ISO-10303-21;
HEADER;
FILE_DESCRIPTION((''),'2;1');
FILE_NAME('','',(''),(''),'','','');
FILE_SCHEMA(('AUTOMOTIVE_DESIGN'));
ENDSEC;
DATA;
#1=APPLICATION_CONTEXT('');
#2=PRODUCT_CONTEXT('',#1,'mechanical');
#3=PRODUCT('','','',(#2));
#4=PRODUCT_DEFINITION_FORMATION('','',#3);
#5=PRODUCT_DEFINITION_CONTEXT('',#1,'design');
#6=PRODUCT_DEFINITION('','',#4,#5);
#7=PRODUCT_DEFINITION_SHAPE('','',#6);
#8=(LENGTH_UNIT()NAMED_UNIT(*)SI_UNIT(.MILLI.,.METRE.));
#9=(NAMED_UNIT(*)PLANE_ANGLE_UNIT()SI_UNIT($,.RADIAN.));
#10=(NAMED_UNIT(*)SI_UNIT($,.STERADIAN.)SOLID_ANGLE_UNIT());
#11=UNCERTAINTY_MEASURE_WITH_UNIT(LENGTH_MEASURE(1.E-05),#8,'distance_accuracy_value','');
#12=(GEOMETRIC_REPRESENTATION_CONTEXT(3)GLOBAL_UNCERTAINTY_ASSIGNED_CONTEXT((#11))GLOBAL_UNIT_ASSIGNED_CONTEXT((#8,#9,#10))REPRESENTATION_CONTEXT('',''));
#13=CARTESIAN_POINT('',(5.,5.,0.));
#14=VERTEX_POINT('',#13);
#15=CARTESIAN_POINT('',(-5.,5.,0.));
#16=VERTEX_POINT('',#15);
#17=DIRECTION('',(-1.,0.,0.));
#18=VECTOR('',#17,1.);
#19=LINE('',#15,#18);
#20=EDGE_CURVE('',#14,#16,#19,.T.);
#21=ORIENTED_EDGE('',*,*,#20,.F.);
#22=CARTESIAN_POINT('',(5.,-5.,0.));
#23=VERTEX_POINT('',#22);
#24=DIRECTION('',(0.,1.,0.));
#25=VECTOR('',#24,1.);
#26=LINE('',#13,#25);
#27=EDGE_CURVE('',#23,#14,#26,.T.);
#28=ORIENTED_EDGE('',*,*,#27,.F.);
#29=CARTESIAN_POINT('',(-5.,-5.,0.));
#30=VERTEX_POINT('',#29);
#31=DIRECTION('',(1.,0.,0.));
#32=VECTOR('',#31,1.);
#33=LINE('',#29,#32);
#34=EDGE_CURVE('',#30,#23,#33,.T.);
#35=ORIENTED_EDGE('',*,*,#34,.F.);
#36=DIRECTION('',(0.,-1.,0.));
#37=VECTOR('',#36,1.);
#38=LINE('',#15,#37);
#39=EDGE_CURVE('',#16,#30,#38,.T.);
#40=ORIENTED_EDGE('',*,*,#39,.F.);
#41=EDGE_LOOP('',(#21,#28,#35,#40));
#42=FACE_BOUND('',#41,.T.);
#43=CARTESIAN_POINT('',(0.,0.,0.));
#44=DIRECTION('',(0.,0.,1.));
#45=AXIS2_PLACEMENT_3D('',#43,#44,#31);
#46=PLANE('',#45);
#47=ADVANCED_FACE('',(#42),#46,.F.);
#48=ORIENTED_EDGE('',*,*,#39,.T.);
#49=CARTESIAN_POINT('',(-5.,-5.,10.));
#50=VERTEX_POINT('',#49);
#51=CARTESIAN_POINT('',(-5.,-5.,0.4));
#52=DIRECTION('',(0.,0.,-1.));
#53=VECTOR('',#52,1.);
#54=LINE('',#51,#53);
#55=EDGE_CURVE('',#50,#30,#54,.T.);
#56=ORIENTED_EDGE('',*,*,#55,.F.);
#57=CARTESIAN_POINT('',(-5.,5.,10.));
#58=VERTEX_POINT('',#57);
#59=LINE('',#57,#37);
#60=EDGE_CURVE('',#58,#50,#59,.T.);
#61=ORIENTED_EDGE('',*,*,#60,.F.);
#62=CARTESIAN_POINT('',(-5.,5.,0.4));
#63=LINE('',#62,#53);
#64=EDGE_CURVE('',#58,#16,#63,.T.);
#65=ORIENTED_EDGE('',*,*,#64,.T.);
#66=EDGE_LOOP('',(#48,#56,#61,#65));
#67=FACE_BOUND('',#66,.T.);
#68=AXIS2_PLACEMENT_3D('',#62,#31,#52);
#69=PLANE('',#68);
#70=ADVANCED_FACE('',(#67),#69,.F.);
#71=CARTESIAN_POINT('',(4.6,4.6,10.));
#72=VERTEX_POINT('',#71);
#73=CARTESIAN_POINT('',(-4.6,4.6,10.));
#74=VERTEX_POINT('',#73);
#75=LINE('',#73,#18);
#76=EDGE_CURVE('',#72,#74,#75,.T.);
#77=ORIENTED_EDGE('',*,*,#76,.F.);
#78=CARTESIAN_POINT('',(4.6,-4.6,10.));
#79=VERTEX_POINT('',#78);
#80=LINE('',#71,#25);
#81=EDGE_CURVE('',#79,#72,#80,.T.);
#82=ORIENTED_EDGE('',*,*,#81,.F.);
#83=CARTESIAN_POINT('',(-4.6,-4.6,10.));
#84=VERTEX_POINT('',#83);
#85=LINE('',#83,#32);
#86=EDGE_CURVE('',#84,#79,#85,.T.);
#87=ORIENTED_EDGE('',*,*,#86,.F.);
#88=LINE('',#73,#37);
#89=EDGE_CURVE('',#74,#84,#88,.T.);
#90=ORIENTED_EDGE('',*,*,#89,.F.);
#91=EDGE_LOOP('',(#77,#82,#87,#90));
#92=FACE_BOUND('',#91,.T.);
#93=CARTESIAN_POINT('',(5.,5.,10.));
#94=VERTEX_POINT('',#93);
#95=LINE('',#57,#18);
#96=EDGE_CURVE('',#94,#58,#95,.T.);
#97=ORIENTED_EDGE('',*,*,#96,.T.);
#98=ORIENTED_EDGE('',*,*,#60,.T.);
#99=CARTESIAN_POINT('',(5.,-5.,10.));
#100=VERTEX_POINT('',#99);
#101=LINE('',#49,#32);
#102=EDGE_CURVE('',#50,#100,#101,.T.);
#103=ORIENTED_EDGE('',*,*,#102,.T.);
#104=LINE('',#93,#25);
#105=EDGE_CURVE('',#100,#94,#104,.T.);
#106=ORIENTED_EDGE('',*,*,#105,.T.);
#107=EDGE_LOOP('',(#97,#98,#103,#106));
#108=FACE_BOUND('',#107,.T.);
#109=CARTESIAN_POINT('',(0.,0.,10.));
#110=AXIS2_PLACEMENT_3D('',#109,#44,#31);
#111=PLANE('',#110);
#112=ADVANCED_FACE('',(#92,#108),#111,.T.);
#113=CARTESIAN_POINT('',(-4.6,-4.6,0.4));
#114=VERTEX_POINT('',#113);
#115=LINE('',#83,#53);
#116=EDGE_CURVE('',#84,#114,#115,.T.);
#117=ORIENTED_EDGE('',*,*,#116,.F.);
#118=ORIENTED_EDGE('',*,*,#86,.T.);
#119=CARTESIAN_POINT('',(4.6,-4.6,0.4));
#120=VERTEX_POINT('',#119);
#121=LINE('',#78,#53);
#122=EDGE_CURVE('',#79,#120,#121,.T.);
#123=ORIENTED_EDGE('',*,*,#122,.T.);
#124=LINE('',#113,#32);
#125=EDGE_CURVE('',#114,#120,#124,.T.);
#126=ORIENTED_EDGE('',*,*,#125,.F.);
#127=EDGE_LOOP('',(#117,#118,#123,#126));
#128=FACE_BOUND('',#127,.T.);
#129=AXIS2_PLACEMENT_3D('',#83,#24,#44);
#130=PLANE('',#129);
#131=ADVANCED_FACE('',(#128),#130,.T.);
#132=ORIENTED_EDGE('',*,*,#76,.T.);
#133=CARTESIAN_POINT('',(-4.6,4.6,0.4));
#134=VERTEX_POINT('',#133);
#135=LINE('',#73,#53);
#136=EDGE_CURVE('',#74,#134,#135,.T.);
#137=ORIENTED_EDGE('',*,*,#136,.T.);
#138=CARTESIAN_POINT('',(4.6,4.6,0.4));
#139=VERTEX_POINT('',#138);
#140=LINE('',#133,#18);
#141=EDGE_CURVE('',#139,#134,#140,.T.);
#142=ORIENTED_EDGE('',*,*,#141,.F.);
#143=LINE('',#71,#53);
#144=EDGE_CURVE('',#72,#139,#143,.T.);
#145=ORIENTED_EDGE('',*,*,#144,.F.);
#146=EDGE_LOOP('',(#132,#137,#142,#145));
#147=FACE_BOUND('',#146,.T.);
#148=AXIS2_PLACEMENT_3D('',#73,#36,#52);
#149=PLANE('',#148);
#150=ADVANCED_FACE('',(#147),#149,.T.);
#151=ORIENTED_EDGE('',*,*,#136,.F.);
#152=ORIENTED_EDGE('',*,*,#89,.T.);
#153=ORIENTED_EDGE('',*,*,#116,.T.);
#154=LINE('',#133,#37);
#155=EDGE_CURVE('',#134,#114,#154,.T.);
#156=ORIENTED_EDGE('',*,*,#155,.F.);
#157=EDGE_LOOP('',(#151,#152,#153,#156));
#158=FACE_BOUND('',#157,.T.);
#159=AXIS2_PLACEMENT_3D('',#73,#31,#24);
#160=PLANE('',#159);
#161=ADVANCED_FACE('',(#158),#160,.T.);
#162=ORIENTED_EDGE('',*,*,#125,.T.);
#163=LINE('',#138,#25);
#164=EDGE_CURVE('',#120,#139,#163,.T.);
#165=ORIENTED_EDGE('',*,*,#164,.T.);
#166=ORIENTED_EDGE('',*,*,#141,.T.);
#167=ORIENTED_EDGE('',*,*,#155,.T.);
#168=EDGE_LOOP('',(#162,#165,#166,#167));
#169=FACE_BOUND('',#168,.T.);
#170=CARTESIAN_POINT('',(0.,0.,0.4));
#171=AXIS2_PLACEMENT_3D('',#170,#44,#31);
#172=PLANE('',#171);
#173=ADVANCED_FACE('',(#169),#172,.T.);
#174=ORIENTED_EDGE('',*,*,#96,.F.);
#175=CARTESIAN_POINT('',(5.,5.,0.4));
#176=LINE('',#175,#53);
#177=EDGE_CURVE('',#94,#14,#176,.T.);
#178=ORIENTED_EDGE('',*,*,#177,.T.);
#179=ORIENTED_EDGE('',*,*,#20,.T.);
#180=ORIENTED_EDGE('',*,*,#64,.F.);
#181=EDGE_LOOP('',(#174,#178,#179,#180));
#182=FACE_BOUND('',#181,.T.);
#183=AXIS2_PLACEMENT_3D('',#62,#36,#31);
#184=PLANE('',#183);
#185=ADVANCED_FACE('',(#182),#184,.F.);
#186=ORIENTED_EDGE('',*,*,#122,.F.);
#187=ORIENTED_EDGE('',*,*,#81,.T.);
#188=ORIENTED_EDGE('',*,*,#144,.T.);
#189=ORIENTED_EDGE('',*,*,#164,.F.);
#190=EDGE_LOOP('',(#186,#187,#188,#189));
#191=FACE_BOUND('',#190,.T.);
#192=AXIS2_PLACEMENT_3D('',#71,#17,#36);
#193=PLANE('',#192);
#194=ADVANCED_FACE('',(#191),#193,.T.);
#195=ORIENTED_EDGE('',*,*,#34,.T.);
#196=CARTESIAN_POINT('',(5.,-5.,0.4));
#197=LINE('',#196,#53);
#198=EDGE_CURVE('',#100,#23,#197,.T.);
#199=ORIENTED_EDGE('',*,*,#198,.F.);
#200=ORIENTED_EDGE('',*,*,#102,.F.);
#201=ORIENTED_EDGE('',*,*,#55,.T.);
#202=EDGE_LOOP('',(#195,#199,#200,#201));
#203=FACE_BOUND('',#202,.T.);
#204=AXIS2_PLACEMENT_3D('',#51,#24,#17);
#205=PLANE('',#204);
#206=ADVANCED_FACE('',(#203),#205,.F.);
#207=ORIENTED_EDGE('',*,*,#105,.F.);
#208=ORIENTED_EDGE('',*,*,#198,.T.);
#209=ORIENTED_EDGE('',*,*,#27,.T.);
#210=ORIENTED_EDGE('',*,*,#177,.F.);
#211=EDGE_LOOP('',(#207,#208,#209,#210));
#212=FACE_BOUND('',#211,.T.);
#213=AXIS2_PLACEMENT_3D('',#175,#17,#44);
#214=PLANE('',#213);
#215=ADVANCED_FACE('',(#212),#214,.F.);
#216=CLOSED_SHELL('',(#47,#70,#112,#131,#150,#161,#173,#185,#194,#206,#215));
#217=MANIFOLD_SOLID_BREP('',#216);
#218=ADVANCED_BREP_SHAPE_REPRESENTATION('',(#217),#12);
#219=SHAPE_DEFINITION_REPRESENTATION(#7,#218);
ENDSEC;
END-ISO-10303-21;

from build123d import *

# Parameters (mm, degrees)
SKETCH1_W           = 10
SKETCH1_H           = 10
BOSS_EXTRUDE1_DEPTH = 0.4
SKETCH2_W           = 10
SKETCH2_H           = 10
SKETCH2_W_2         = 9.2
SKETCH2_H_2         = 9.2
BOSS_EXTRUDE2_DEPTH = 9.6


with BuildPart() as part:
    # Sketch1 → Boss-Extrude1 (new body)
    with BuildSketch(Plane.XY):
        Rectangle(SKETCH1_W, SKETCH1_H)
    extrude(amount=BOSS_EXTRUDE1_DEPTH)

    # Sketch2 → Boss-Extrude2 (add)
    with BuildSketch(Plane.XY.offset(0.4)):
        Rectangle(SKETCH2_W, SKETCH2_H)
        Rectangle(SKETCH2_W_2, SKETCH2_H_2, mode=Mode.SUBTRACT)
    extrude(amount=BOSS_EXTRUDE2_DEPTH)


solid = part.part
